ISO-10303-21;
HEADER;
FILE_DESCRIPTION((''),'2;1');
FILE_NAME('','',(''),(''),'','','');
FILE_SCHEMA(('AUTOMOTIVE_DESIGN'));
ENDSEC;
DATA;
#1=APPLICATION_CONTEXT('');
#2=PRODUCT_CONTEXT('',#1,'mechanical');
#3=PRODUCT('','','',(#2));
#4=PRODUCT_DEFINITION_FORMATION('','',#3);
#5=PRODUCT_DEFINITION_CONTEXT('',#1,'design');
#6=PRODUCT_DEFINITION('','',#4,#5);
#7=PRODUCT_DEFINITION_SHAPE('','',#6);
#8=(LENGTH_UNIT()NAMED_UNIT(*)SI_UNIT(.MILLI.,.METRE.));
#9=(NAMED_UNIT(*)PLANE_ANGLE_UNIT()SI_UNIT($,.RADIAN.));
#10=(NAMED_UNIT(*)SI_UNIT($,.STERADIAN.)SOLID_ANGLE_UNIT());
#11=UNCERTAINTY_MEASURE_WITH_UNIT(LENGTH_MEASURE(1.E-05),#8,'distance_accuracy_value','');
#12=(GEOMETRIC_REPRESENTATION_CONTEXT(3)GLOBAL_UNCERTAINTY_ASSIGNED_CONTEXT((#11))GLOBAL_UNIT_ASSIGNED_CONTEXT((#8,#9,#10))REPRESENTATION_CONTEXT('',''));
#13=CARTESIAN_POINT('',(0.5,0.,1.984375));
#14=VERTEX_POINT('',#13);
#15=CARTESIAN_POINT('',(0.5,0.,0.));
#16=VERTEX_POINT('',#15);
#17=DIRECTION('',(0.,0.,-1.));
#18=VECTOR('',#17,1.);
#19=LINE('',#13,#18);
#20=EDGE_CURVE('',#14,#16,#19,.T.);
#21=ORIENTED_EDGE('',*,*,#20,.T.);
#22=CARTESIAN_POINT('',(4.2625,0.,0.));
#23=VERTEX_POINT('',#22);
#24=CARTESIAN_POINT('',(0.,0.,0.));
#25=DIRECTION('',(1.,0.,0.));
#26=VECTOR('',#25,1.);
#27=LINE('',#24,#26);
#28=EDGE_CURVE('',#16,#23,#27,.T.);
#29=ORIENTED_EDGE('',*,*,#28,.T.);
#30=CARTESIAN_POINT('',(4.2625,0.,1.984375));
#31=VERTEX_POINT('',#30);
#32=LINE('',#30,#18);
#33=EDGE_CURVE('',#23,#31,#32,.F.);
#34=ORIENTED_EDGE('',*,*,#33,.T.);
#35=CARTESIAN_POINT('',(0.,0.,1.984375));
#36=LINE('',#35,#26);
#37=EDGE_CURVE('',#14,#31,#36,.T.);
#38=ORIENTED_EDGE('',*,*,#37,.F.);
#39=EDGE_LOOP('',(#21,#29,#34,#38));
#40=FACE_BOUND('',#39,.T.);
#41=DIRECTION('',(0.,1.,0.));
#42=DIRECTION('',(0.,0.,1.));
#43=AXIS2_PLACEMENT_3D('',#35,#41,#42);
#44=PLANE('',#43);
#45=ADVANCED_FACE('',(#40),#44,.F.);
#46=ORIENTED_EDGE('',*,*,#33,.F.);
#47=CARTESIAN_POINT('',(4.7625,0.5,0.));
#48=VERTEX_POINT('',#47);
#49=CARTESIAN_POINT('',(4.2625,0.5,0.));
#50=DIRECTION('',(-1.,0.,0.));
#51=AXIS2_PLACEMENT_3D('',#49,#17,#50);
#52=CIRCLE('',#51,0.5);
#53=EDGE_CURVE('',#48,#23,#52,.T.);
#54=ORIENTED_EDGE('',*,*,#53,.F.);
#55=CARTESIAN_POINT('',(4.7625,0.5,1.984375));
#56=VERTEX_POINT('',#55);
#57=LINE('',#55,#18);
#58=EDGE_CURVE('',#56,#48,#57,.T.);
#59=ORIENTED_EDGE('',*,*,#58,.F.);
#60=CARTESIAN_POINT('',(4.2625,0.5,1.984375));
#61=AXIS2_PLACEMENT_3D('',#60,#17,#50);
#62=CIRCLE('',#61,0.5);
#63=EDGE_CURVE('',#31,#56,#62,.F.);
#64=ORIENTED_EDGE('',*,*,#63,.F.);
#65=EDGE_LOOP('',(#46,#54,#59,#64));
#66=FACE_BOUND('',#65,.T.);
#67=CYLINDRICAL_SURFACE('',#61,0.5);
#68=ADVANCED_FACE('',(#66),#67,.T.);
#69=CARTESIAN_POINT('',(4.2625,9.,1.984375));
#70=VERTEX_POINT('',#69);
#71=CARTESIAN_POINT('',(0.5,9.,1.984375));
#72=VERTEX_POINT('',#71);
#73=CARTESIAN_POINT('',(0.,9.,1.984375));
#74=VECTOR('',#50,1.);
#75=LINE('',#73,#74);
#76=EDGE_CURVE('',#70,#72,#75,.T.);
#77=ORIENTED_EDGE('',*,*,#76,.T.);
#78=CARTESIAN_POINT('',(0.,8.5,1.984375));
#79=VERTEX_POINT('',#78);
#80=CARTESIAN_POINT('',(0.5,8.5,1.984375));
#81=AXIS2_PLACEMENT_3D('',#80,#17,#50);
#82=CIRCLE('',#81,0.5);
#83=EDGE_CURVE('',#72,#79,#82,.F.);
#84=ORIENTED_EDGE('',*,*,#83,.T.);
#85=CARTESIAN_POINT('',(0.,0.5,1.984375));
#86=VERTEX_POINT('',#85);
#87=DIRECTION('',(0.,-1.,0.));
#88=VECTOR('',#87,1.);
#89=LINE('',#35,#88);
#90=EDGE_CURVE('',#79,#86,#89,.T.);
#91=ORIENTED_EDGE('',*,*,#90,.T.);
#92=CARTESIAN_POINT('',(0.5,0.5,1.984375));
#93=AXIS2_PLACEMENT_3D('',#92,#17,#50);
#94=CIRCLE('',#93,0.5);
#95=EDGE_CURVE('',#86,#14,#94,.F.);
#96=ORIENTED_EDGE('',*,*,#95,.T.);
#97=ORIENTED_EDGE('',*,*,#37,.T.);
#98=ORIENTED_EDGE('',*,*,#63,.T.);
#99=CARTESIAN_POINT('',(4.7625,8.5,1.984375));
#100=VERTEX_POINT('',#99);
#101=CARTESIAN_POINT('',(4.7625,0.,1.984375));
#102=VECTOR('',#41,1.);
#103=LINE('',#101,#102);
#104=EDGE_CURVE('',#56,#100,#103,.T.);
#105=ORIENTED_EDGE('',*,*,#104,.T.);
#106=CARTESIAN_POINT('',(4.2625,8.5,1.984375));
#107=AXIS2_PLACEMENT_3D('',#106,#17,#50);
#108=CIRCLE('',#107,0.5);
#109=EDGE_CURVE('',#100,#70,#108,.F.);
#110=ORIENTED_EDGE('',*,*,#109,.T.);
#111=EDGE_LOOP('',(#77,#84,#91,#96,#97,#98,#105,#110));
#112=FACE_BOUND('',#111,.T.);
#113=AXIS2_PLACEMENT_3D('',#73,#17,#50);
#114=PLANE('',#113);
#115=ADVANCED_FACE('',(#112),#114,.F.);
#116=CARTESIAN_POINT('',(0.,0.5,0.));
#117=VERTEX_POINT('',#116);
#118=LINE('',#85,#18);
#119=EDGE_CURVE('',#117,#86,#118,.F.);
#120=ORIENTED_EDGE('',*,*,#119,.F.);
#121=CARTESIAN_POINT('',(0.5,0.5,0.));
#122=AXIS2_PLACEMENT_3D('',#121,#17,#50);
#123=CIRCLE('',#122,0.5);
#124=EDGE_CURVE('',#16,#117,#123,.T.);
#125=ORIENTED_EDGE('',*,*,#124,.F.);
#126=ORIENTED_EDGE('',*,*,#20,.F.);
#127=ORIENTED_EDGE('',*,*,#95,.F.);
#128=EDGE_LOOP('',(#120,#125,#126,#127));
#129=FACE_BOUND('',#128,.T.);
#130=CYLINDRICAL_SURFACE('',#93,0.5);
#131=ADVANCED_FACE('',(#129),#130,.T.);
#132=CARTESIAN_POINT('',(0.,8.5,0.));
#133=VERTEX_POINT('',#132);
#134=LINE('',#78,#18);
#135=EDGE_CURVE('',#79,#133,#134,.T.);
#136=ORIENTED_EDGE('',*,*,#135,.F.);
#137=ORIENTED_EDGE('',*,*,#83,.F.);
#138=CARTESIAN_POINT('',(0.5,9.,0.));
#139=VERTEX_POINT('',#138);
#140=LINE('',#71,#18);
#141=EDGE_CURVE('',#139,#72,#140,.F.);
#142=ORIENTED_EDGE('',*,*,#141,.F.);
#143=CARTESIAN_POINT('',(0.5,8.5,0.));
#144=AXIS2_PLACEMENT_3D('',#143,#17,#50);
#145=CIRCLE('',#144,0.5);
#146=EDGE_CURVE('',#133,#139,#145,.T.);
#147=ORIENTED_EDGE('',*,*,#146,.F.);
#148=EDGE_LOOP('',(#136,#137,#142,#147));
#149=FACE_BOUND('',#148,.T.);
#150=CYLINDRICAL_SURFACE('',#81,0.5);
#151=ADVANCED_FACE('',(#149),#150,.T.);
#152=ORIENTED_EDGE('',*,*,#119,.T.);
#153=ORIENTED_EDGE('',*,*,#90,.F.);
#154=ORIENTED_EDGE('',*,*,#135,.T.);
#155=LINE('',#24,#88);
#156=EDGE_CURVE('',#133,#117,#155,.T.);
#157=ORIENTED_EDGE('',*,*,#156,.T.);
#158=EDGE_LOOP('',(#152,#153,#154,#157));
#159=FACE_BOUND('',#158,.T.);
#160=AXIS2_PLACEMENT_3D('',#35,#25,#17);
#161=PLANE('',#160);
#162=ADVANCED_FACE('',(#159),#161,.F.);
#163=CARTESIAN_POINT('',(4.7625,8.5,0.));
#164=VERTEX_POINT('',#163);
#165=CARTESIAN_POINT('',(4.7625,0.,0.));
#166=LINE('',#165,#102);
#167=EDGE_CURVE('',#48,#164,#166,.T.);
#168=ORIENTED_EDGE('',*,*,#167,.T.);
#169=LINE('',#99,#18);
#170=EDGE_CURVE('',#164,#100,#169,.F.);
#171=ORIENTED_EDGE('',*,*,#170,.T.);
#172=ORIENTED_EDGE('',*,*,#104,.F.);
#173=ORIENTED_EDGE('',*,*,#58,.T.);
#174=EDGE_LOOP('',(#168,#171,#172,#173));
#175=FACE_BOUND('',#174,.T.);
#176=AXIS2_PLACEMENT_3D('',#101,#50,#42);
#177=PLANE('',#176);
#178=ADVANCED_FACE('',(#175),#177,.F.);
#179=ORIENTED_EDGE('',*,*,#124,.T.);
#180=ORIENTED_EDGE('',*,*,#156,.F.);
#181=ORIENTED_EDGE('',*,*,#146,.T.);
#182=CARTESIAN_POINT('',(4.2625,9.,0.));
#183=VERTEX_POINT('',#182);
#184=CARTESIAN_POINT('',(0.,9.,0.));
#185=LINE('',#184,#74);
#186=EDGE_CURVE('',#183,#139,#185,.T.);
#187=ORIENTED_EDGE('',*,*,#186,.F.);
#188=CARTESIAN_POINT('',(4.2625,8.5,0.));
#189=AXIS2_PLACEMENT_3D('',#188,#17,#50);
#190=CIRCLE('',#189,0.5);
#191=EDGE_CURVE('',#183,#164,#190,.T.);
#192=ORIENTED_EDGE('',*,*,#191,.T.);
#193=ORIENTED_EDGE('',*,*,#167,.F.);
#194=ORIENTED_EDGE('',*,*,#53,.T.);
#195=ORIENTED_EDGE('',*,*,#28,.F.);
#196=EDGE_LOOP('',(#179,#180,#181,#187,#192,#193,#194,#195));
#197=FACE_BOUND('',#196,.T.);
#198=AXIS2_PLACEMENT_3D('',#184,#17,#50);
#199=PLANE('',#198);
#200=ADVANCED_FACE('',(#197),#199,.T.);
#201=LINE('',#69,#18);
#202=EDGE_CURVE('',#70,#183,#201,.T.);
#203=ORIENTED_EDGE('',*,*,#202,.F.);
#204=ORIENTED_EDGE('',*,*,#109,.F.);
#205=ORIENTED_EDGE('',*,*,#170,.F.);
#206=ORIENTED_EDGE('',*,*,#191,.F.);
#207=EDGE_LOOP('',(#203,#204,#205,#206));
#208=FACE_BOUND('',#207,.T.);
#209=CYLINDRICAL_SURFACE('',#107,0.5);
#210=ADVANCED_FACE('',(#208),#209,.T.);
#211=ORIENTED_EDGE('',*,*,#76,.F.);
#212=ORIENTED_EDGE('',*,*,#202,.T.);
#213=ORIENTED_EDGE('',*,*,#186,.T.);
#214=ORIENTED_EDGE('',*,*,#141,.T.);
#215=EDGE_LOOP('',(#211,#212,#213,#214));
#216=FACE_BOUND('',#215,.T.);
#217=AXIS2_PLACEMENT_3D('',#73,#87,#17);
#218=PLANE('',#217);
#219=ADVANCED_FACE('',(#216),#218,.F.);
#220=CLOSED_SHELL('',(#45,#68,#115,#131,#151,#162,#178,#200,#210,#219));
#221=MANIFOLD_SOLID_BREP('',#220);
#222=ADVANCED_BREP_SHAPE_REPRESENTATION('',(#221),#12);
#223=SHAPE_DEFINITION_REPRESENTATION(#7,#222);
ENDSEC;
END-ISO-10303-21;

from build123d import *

# Parameters (mm, degrees)
SKETCH1_W           = 4.7625
SKETCH1_H           = 9
BOSS_EXTRUDE1_DEPTH = 1.984375
FILLET1_R           = 0.5
FILLET2_R           = 0.5


with BuildPart() as part:
    # Sketch1 → Boss-Extrude1 (new body)
    with BuildSketch(Plane.XY):
        with Locations((2.38125, 4.5)):
            Rectangle(SKETCH1_W, SKETCH1_H)
    extrude(amount=BOSS_EXTRUDE1_DEPTH)

    # Fillet1
    fillet1_edges = [part.edges().sort_by_distance(p)[0] for p in [
        (0, 9, 0.9921875),
        (4.7625, 9, 0.9921875),
    ]]
    fillet(fillet1_edges, radius=FILLET1_R)

    # Fillet2
    fillet2_edges = [part.edges().sort_by_distance(p)[0] for p in [
        (4.7625, 0, 0.9921875),
        (0, 0, 0.9921875),
    ]]
    fillet(fillet2_edges, radius=FILLET2_R)


solid = part.part
